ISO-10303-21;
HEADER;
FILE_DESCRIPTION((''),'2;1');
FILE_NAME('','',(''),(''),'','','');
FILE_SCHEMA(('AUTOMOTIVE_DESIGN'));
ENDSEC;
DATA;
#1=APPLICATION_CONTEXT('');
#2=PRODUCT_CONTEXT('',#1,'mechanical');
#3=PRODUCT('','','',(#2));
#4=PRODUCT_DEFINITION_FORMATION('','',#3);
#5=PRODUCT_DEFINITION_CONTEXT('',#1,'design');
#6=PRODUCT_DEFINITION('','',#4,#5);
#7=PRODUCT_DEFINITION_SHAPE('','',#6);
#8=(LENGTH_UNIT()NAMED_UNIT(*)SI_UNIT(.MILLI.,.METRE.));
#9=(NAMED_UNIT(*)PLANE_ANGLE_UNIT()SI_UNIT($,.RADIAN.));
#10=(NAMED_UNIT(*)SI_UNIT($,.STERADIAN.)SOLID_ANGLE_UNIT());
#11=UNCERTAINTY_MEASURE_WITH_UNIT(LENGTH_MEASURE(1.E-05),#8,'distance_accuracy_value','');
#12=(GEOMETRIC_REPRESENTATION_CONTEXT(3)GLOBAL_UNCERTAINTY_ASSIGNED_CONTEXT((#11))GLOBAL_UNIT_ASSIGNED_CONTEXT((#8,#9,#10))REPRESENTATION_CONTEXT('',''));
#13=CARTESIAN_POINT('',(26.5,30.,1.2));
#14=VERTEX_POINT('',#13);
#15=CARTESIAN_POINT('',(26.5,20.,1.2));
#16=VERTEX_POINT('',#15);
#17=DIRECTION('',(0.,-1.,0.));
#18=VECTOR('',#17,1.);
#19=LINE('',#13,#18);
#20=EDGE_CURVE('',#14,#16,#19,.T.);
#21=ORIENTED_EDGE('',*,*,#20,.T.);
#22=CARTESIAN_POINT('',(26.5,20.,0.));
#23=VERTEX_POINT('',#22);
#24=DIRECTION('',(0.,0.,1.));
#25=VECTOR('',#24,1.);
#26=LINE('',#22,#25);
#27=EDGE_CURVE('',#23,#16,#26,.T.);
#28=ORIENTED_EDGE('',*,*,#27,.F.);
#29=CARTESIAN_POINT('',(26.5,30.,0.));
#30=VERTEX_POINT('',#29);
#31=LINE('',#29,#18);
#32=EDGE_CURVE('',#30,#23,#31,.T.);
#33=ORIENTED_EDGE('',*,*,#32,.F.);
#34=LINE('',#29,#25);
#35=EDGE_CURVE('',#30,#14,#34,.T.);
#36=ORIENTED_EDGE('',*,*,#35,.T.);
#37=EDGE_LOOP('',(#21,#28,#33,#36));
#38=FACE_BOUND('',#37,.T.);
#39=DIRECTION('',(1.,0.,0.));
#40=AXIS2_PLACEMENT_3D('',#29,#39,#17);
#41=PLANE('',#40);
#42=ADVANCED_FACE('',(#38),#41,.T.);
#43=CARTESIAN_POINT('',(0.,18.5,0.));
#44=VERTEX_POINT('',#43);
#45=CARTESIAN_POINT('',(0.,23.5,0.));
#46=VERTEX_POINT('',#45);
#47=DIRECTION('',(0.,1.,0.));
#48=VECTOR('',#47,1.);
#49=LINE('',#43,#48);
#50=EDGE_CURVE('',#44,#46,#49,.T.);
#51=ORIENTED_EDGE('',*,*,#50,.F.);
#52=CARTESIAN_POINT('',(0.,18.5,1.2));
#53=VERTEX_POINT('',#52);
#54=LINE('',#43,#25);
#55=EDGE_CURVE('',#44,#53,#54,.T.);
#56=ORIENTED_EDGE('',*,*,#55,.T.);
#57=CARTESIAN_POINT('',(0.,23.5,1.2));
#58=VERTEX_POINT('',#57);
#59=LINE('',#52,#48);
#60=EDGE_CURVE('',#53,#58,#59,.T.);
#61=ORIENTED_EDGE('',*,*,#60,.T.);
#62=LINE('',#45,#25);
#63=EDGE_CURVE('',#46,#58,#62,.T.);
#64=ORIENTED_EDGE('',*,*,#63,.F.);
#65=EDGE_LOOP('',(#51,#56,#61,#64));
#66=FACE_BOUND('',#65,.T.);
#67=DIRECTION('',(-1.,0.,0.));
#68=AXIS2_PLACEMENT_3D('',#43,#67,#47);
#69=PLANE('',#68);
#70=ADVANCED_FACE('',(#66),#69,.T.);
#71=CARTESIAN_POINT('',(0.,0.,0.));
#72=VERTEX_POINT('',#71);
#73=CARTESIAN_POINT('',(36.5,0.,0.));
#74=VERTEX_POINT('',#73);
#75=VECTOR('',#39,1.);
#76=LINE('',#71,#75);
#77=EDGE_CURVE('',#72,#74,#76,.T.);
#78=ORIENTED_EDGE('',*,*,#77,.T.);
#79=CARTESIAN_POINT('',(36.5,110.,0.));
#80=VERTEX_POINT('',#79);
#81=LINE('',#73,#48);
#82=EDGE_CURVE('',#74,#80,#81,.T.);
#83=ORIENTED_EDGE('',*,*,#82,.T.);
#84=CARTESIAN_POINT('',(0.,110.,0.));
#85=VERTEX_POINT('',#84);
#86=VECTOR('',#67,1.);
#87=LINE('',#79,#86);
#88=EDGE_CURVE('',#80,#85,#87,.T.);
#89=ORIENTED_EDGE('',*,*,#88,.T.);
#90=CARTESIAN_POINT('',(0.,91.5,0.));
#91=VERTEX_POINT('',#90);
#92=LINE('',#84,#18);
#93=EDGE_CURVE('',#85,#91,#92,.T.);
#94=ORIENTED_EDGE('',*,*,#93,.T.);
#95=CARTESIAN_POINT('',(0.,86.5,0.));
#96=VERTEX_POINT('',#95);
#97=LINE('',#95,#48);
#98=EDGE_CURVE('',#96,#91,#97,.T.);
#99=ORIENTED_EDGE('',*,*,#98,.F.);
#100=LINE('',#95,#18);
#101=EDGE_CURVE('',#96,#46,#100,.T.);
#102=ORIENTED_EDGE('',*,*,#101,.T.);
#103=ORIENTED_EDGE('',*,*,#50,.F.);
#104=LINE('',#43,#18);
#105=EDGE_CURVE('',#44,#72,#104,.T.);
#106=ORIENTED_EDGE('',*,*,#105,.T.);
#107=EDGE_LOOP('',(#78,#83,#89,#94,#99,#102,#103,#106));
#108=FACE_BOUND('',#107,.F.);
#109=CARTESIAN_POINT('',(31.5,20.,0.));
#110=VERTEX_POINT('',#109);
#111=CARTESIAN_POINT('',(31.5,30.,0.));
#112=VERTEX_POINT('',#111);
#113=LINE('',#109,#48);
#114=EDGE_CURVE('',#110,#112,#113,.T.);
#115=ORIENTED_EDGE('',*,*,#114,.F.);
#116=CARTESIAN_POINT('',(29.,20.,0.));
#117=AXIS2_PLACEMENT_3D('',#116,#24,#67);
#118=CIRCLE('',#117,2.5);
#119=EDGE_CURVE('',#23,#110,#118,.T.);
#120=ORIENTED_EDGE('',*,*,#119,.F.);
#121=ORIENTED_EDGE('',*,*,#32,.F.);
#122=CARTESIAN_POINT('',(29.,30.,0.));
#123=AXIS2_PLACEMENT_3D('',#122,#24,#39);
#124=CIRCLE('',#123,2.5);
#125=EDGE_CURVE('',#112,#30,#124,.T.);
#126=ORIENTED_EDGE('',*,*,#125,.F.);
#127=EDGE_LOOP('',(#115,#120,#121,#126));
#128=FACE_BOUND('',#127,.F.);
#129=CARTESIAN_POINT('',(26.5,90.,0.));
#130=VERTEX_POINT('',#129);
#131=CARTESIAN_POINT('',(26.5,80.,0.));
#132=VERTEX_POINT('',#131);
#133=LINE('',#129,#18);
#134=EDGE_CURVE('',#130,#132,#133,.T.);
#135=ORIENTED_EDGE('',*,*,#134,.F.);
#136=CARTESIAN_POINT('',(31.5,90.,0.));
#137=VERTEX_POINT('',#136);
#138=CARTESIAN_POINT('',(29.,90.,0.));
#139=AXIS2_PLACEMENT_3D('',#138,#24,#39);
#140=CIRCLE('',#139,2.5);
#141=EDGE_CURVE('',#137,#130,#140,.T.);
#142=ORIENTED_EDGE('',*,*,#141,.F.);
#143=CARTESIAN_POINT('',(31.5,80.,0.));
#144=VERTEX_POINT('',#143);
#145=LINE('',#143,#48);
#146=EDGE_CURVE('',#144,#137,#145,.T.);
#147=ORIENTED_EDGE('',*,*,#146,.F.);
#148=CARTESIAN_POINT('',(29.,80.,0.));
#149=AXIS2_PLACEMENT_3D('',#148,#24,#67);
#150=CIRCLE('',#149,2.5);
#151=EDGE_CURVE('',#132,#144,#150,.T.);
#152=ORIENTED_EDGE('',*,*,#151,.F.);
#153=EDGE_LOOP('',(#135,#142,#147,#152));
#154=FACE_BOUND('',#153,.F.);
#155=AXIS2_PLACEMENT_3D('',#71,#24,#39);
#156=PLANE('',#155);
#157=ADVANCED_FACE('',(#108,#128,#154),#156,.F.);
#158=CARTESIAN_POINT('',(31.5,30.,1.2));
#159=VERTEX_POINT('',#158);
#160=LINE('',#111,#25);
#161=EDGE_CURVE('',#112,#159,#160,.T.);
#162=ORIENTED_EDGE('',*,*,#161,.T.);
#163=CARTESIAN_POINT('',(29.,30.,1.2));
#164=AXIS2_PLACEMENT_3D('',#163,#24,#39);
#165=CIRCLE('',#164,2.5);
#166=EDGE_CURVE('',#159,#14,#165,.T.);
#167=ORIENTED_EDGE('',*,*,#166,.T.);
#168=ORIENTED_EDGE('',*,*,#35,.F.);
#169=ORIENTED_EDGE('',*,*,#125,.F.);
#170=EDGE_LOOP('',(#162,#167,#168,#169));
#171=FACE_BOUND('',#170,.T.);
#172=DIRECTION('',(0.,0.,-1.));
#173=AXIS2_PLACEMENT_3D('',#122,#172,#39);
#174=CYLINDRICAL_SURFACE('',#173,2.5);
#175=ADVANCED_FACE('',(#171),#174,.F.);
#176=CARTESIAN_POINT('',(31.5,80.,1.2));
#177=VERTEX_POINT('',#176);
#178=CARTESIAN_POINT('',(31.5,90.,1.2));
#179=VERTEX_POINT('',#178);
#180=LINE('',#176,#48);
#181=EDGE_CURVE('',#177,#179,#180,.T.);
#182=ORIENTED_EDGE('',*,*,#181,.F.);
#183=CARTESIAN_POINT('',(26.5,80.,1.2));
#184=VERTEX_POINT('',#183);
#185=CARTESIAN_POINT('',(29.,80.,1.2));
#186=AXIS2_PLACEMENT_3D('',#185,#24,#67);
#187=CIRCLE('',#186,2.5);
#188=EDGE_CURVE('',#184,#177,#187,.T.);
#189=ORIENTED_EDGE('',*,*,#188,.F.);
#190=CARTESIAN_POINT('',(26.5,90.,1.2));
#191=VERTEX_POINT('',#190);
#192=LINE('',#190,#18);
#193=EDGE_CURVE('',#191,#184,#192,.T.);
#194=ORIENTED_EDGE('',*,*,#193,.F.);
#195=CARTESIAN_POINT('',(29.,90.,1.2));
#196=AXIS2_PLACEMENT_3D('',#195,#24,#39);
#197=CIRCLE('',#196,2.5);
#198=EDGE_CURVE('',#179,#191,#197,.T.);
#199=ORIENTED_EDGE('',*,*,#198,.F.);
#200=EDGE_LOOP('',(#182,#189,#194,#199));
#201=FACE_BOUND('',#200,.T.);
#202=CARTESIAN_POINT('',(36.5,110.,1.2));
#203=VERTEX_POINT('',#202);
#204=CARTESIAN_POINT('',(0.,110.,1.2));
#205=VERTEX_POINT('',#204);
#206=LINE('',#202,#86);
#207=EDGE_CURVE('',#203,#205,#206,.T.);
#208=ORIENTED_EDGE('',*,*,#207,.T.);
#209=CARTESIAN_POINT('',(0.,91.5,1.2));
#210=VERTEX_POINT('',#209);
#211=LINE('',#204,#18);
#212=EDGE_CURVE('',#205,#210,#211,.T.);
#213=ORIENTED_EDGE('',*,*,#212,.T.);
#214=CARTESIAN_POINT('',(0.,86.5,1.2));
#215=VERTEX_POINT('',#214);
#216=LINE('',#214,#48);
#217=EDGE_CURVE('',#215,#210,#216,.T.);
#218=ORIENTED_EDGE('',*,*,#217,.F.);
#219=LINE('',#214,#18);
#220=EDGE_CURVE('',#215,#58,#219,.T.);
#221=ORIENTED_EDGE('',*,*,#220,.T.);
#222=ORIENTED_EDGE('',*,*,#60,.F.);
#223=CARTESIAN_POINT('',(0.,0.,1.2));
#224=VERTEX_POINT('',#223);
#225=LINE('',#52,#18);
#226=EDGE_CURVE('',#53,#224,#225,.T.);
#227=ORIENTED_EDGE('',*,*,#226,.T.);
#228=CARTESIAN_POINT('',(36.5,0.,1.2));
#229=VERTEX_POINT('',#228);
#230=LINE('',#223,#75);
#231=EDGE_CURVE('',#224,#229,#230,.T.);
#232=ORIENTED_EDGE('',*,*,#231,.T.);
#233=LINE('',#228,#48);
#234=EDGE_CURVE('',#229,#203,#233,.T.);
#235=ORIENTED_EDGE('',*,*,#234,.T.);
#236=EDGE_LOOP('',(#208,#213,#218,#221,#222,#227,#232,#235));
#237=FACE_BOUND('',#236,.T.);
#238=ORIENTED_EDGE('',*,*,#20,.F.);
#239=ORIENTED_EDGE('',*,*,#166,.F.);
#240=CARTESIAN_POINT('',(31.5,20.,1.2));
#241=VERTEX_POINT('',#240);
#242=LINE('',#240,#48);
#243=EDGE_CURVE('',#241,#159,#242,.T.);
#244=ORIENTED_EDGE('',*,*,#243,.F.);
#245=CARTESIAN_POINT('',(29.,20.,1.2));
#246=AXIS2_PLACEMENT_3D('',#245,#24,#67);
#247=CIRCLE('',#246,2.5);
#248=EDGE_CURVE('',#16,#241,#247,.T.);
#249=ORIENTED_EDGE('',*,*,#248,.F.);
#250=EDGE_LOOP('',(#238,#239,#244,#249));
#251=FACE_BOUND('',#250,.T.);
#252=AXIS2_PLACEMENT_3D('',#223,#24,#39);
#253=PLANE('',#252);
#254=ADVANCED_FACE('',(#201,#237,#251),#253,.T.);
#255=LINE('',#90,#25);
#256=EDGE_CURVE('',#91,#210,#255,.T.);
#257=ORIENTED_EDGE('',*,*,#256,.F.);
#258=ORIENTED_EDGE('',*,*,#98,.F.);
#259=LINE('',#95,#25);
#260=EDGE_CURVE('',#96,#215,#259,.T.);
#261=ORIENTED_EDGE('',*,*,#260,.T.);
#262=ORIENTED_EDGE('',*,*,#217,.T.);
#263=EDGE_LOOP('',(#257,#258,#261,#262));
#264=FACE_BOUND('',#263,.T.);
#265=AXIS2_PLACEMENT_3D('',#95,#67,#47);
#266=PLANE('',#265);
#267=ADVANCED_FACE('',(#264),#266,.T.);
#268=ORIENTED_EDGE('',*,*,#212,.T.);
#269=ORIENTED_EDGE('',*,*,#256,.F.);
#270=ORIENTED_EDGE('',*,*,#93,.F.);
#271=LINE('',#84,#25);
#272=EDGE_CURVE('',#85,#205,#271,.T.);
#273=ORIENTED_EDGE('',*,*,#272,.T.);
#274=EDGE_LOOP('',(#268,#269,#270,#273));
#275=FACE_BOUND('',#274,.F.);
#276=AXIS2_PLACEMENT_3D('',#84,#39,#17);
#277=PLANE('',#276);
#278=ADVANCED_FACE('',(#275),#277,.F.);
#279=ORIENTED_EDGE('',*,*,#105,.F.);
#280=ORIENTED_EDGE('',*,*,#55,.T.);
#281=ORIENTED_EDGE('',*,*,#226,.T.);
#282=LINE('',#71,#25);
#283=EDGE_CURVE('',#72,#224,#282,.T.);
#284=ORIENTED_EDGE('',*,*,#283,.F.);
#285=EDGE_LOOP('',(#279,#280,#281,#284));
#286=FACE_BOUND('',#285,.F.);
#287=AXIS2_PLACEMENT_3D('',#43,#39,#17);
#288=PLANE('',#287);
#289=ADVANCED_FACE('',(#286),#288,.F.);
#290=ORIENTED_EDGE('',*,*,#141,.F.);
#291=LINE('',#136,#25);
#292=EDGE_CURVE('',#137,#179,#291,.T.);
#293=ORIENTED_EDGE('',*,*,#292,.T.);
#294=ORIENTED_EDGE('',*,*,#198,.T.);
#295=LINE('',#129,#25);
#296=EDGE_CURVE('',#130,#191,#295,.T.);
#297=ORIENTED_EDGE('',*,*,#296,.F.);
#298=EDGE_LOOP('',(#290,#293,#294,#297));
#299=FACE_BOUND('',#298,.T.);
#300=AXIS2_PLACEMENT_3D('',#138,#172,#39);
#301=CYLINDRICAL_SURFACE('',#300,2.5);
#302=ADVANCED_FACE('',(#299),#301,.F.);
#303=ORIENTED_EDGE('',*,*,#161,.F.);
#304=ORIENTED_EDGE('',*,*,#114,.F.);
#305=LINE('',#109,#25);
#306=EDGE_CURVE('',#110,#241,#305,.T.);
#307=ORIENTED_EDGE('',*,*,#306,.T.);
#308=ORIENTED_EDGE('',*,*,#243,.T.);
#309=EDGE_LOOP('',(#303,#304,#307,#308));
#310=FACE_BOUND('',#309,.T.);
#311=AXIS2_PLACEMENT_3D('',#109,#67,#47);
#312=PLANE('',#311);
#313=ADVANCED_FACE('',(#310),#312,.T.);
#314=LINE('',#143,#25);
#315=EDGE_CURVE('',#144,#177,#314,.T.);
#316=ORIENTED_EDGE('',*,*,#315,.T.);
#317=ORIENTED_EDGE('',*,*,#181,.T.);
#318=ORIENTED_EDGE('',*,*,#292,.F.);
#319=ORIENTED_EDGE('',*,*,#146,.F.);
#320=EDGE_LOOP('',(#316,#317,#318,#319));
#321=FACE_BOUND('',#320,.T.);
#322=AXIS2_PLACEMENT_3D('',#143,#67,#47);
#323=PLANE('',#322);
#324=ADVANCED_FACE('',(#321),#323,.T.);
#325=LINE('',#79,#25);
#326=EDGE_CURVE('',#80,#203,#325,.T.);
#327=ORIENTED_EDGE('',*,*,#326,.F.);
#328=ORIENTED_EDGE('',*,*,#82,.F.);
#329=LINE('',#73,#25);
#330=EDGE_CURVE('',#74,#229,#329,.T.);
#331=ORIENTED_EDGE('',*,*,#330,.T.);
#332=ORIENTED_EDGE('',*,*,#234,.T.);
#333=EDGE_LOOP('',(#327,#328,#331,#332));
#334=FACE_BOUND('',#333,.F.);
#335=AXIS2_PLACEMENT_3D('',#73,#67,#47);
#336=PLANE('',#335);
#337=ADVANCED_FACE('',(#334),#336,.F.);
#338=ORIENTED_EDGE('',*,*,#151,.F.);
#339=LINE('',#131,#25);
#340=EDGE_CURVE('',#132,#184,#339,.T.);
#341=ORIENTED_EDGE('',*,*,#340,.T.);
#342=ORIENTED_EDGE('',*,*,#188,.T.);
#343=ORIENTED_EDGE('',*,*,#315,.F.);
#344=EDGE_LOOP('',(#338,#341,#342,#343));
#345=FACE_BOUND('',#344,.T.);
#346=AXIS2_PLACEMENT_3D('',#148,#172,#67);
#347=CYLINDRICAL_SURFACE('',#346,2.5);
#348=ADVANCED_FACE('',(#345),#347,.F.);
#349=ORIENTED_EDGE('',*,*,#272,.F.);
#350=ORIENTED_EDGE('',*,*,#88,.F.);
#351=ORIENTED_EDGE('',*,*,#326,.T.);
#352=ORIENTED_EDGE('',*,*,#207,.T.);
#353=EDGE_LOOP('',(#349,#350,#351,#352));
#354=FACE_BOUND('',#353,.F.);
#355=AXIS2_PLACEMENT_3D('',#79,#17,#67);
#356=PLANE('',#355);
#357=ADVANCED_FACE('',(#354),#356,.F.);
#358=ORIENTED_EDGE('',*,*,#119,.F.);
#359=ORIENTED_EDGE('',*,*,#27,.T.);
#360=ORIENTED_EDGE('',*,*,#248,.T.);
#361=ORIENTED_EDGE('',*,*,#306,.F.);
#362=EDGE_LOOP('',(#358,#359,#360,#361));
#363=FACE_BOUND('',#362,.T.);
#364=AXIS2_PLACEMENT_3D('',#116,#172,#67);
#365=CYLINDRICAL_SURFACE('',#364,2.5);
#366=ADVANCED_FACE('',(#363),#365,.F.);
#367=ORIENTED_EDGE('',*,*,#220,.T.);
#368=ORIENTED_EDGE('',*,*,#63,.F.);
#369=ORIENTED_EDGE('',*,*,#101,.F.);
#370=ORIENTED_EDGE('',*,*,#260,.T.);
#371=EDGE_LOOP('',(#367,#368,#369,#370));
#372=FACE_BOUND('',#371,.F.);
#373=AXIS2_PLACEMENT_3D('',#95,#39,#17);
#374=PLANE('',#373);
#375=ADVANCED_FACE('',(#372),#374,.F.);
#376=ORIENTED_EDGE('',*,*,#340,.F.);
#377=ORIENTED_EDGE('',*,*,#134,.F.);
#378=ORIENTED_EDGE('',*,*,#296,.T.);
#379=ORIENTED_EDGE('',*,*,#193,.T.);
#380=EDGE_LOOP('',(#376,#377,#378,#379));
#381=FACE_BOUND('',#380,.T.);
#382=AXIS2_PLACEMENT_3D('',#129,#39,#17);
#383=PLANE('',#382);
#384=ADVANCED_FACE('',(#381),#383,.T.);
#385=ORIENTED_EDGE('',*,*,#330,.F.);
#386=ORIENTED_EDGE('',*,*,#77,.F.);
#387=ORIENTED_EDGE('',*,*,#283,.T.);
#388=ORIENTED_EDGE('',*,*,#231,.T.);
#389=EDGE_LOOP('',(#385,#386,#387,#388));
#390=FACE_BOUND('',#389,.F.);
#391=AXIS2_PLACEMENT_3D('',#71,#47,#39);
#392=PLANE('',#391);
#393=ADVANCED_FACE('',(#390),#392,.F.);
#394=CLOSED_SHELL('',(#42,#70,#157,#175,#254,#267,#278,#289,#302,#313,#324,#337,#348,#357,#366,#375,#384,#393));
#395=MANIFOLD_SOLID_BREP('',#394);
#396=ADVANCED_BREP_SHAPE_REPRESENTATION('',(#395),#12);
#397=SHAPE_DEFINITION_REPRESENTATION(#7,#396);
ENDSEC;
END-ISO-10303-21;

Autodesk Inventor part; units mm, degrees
ref_plane "YZ Plane" through (0, 0, 0) normal (1, 0, 0) x (0, 1, 0)
ref_plane "XZ Plane" through (0, 0, 0) normal (0, 1, 0) x (-1, 0, 0)
ref_plane "XY Plane" through (0, 0, 0) normal (0, 0, 1) x (1, 0, 0)
sketch "Skizze1" plane through (0, 0, 0) normal (0, 0, 1) x (1, 0, 0)
  line L0 (0, 0) -> (36.5, 0)
  line L1 (36.5, 0) -> (36.5, 110)
  line L2 (36.5, 110) -> (0, 110)
  line L3 (0, 110) -> (0, 91.5)
  line L4 (0, 86.5) -> (0, 91.5)
  line L5 (0, 18.5) -> (0, 23.5)
  line L6 (0, 23.5) -> (0, 18.5) construction
  line L7 (0, 18.5) -> (0, 0)
  line L8 (0, 86.5) -> (0, 23.5)
  line L9 (0, 91.5) -> (0, 86.5) construction
  line L10 (31.5, 90) -> (26.5, 90) construction
  line L11 (26.5, 90) -> (26.5, 80)
  line L12 (26.5, 80) -> (31.5, 80) construction
  line L13 (31.5, 80) -> (31.5, 90)
  line L14 (31.5, 30) -> (26.5, 30) construction
  line L15 (26.5, 30) -> (26.5, 20)
  line L16 (26.5, 20) -> (31.5, 20) construction
  line L17 (31.5, 20) -> (31.5, 30)
  line L18 (29, 80) -> (29, 30) construction
  line L19 (36.5, 55) -> (0, 55) construction
  arc A0 (31.5, 90) -> (26.5, 90) centre (29, 90) ccw
  arc A1 (26.5, 80) -> (31.5, 80) centre (29, 80) ccw
  arc A2 (31.5, 30) -> (26.5, 30) centre (29, 30) ccw
  arc A3 (26.5, 20) -> (31.5, 20) centre (29, 20) ccw
  point P0 (29, 55)
  dimension "d0" = 36.5
  dimension "d1" = 110
  dimension "d10" = 10
  dimension "d11" = 10
  dimension "d12" = 5
  dimension "d13" = 5
  dimension "d15" = 20
extrude "Extrusion2" add sketch "Skizze1" along normal blind 1.2
properties part number "bett_V2_deckplatte_klappe" material "Holz (Walnuss)"
